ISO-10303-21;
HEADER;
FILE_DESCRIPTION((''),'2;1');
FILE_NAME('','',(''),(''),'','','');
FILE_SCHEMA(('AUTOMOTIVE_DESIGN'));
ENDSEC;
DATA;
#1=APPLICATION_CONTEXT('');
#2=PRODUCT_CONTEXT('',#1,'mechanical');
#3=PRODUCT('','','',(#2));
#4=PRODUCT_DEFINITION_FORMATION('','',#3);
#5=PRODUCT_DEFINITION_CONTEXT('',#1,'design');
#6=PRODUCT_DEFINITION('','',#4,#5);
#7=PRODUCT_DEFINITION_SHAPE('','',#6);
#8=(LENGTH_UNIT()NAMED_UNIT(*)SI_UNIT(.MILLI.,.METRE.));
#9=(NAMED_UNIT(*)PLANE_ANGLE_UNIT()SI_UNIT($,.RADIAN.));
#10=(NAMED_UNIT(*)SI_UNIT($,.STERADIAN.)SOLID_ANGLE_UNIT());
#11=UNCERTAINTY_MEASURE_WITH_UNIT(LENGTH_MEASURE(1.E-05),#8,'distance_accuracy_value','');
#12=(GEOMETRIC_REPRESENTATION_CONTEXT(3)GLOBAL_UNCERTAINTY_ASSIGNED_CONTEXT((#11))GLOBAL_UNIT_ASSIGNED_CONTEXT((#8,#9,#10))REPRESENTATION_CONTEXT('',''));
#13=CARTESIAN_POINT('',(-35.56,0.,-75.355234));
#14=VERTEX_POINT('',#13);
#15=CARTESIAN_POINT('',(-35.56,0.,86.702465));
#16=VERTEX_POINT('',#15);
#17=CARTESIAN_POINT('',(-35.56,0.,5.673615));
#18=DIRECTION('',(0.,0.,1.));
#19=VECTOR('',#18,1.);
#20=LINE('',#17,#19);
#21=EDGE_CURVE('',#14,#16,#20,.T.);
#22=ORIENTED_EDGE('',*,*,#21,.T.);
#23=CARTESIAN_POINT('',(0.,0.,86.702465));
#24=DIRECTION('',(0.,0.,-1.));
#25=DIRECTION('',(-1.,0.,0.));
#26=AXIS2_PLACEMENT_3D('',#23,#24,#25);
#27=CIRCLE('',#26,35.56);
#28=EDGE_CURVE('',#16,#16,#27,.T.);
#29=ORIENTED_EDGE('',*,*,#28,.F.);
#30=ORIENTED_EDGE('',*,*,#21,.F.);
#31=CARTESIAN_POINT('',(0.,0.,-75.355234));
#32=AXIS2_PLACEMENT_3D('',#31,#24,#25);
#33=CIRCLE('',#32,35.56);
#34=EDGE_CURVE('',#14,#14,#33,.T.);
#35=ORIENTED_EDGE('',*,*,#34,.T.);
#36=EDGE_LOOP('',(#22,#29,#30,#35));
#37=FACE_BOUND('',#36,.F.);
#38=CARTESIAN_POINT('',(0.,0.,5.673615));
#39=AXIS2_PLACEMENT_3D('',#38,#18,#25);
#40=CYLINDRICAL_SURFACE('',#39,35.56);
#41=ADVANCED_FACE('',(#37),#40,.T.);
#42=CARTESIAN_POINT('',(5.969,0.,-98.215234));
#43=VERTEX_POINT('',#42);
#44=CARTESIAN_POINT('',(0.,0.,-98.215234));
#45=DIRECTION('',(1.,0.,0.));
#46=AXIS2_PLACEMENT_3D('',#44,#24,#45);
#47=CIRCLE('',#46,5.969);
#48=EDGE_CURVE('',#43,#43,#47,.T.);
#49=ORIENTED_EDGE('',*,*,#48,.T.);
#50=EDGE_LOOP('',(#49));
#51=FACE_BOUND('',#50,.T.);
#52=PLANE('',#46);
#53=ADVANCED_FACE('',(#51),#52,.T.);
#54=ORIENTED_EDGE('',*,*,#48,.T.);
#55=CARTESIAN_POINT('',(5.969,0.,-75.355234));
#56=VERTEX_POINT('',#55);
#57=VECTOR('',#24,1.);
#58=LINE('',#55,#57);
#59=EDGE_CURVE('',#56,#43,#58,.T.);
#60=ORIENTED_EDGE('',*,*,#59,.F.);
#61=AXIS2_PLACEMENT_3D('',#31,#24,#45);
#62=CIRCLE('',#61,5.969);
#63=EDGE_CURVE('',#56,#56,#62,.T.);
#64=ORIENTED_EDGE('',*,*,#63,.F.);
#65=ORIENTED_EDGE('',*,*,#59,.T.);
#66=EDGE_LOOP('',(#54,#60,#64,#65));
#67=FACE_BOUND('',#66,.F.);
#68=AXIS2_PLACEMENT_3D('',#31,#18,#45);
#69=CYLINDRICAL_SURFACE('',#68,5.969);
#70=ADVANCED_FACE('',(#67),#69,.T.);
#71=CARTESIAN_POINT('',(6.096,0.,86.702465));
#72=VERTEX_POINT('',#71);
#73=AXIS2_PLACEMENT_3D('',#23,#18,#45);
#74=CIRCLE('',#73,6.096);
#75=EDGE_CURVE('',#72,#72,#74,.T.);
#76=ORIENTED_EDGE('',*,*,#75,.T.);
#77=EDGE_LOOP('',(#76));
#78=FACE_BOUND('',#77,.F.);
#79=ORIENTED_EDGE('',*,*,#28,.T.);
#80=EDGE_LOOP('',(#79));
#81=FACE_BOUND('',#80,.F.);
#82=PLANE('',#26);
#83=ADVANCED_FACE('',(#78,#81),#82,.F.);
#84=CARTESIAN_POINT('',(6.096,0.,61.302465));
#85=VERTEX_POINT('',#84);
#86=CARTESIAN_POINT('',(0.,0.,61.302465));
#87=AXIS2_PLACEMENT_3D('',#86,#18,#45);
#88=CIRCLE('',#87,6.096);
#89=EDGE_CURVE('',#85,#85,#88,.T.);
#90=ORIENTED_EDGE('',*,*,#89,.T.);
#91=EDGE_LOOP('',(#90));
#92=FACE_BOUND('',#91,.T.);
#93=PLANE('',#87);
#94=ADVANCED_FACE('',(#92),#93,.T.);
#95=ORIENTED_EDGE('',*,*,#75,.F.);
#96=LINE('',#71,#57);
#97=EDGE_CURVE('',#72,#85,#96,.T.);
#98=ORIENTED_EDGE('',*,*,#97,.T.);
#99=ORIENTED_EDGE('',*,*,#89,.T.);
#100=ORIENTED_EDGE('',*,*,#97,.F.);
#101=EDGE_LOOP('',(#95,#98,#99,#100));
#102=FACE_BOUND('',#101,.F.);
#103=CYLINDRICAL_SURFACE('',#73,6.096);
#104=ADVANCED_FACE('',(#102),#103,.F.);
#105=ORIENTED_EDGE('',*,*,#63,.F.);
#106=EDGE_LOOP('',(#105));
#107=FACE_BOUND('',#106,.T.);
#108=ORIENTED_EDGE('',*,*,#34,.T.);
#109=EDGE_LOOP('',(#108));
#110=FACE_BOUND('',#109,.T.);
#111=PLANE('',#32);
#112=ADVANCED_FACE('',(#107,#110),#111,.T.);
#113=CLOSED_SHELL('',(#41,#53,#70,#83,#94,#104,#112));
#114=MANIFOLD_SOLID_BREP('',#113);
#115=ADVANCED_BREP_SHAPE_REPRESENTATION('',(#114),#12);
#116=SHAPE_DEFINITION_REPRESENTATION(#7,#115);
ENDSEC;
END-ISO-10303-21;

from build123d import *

# Parameters (mm, degrees)
F0_W     = 35.56
F0_H     = 162.057699
F2_R     = 5.969
F3_DEPTH = 22.86
F4_R     = 6.096
F5_DEPTH = 25.4


with BuildPart() as f1:
    # F0 (on Front) → F1 (revolve)
    with BuildSketch(Plane.XZ):
        with Locations((-17.78, 5.673615)):
            Rectangle(F0_W, F0_H)
    revolve(axis=Axis((0, 0, 4.235234), (0, 0, -1)))

    # F2 (on face) → F3 (join)
    with BuildSketch(Plane(origin=(0, 0, -75.355234), x_dir=(1, 0, 0), z_dir=(0, 0, -1))):
        Circle(F2_R)
    extrude(amount=F3_DEPTH)

    # F4 (on face) → F5 (cut)
    with BuildSketch(Plane.XY.offset(86.702465)):
        Circle(F4_R)
    extrude(amount=-F5_DEPTH, mode=Mode.SUBTRACT)


solid = f1.part
